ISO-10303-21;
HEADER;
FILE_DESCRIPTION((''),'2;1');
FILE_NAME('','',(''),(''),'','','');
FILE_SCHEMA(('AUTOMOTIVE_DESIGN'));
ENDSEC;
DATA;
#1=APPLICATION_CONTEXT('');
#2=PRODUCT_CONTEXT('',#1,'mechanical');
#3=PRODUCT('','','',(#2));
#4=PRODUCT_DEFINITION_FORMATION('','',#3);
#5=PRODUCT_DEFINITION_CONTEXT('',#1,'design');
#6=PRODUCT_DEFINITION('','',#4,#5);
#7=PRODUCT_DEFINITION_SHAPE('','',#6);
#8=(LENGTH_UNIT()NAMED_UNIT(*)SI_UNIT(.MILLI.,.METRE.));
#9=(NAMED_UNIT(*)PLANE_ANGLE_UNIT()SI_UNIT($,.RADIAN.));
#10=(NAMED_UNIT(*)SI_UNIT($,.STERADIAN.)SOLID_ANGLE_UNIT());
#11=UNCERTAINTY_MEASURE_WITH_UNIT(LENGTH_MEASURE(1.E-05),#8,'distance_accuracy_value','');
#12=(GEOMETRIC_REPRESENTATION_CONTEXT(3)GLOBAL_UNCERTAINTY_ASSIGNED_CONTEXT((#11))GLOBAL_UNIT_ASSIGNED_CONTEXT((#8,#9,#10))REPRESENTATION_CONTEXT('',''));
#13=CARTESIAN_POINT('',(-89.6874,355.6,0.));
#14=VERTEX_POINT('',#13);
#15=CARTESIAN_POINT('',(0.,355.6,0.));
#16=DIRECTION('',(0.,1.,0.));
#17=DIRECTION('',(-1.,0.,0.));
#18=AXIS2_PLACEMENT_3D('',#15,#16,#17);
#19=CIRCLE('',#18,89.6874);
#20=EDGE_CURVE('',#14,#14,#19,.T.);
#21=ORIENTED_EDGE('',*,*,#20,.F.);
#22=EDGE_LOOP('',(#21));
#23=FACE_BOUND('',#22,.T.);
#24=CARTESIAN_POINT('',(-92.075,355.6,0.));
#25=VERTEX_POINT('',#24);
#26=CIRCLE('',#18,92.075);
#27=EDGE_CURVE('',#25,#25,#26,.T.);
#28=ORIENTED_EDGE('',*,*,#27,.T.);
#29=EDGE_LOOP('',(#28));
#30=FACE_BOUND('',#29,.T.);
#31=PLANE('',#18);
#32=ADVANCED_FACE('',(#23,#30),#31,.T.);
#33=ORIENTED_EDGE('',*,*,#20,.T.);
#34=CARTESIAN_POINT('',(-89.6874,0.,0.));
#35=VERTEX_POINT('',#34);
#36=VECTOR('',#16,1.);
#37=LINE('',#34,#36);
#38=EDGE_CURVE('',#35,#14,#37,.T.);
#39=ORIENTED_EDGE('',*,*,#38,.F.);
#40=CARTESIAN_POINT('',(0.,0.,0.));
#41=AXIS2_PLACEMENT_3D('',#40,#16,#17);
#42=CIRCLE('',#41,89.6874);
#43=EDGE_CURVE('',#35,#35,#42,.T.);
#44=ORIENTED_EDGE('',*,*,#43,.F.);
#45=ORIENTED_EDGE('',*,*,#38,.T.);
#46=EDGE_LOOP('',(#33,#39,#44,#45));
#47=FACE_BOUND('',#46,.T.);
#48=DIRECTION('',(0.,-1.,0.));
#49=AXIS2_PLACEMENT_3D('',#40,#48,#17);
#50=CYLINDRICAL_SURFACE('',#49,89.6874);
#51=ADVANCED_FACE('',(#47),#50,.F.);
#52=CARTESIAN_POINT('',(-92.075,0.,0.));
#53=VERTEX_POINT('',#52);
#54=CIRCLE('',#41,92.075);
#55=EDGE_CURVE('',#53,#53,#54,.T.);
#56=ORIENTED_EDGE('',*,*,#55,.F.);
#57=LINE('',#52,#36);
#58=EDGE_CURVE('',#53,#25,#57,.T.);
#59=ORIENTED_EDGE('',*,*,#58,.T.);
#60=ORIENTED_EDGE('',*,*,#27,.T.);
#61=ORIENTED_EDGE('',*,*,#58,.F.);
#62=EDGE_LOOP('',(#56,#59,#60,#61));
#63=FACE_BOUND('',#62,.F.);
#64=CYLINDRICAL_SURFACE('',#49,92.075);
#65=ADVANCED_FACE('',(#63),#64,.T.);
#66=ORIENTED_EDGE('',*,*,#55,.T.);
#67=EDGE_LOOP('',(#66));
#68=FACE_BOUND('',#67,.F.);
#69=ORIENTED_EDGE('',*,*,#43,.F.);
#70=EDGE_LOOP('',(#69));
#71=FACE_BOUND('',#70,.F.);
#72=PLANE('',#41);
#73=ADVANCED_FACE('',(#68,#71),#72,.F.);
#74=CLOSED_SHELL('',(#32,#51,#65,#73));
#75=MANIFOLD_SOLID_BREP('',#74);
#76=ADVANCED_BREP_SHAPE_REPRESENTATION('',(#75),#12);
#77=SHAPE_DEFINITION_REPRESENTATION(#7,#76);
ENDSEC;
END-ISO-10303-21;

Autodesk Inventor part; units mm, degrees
ref_plane "YZ Plane" through (0, 0, 0) normal (1, 0, 0) x (0, 1, 0)
ref_plane "XZ Plane" through (0, 0, 0) normal (0, 1, 0) x (-1, 0, 0)
ref_plane "XY Plane" through (0, 0, 0) normal (0, 0, 1) x (1, 0, 0)
sketch "Sketch1" plane through (0, 0, 0) normal (0, 1, 0) x (-1, 0, 0)
  circle A0 centre (0, 0) radius 89.6874
  circle A1 centre (0, 0) radius 92.075
  dimension "d0" = 184.15
  dimension "d1" = 179.3748
extrude "Extrusion1" add sketch "Sketch1" along normal blind 355.6
properties part number "8 in Casting Tube"
